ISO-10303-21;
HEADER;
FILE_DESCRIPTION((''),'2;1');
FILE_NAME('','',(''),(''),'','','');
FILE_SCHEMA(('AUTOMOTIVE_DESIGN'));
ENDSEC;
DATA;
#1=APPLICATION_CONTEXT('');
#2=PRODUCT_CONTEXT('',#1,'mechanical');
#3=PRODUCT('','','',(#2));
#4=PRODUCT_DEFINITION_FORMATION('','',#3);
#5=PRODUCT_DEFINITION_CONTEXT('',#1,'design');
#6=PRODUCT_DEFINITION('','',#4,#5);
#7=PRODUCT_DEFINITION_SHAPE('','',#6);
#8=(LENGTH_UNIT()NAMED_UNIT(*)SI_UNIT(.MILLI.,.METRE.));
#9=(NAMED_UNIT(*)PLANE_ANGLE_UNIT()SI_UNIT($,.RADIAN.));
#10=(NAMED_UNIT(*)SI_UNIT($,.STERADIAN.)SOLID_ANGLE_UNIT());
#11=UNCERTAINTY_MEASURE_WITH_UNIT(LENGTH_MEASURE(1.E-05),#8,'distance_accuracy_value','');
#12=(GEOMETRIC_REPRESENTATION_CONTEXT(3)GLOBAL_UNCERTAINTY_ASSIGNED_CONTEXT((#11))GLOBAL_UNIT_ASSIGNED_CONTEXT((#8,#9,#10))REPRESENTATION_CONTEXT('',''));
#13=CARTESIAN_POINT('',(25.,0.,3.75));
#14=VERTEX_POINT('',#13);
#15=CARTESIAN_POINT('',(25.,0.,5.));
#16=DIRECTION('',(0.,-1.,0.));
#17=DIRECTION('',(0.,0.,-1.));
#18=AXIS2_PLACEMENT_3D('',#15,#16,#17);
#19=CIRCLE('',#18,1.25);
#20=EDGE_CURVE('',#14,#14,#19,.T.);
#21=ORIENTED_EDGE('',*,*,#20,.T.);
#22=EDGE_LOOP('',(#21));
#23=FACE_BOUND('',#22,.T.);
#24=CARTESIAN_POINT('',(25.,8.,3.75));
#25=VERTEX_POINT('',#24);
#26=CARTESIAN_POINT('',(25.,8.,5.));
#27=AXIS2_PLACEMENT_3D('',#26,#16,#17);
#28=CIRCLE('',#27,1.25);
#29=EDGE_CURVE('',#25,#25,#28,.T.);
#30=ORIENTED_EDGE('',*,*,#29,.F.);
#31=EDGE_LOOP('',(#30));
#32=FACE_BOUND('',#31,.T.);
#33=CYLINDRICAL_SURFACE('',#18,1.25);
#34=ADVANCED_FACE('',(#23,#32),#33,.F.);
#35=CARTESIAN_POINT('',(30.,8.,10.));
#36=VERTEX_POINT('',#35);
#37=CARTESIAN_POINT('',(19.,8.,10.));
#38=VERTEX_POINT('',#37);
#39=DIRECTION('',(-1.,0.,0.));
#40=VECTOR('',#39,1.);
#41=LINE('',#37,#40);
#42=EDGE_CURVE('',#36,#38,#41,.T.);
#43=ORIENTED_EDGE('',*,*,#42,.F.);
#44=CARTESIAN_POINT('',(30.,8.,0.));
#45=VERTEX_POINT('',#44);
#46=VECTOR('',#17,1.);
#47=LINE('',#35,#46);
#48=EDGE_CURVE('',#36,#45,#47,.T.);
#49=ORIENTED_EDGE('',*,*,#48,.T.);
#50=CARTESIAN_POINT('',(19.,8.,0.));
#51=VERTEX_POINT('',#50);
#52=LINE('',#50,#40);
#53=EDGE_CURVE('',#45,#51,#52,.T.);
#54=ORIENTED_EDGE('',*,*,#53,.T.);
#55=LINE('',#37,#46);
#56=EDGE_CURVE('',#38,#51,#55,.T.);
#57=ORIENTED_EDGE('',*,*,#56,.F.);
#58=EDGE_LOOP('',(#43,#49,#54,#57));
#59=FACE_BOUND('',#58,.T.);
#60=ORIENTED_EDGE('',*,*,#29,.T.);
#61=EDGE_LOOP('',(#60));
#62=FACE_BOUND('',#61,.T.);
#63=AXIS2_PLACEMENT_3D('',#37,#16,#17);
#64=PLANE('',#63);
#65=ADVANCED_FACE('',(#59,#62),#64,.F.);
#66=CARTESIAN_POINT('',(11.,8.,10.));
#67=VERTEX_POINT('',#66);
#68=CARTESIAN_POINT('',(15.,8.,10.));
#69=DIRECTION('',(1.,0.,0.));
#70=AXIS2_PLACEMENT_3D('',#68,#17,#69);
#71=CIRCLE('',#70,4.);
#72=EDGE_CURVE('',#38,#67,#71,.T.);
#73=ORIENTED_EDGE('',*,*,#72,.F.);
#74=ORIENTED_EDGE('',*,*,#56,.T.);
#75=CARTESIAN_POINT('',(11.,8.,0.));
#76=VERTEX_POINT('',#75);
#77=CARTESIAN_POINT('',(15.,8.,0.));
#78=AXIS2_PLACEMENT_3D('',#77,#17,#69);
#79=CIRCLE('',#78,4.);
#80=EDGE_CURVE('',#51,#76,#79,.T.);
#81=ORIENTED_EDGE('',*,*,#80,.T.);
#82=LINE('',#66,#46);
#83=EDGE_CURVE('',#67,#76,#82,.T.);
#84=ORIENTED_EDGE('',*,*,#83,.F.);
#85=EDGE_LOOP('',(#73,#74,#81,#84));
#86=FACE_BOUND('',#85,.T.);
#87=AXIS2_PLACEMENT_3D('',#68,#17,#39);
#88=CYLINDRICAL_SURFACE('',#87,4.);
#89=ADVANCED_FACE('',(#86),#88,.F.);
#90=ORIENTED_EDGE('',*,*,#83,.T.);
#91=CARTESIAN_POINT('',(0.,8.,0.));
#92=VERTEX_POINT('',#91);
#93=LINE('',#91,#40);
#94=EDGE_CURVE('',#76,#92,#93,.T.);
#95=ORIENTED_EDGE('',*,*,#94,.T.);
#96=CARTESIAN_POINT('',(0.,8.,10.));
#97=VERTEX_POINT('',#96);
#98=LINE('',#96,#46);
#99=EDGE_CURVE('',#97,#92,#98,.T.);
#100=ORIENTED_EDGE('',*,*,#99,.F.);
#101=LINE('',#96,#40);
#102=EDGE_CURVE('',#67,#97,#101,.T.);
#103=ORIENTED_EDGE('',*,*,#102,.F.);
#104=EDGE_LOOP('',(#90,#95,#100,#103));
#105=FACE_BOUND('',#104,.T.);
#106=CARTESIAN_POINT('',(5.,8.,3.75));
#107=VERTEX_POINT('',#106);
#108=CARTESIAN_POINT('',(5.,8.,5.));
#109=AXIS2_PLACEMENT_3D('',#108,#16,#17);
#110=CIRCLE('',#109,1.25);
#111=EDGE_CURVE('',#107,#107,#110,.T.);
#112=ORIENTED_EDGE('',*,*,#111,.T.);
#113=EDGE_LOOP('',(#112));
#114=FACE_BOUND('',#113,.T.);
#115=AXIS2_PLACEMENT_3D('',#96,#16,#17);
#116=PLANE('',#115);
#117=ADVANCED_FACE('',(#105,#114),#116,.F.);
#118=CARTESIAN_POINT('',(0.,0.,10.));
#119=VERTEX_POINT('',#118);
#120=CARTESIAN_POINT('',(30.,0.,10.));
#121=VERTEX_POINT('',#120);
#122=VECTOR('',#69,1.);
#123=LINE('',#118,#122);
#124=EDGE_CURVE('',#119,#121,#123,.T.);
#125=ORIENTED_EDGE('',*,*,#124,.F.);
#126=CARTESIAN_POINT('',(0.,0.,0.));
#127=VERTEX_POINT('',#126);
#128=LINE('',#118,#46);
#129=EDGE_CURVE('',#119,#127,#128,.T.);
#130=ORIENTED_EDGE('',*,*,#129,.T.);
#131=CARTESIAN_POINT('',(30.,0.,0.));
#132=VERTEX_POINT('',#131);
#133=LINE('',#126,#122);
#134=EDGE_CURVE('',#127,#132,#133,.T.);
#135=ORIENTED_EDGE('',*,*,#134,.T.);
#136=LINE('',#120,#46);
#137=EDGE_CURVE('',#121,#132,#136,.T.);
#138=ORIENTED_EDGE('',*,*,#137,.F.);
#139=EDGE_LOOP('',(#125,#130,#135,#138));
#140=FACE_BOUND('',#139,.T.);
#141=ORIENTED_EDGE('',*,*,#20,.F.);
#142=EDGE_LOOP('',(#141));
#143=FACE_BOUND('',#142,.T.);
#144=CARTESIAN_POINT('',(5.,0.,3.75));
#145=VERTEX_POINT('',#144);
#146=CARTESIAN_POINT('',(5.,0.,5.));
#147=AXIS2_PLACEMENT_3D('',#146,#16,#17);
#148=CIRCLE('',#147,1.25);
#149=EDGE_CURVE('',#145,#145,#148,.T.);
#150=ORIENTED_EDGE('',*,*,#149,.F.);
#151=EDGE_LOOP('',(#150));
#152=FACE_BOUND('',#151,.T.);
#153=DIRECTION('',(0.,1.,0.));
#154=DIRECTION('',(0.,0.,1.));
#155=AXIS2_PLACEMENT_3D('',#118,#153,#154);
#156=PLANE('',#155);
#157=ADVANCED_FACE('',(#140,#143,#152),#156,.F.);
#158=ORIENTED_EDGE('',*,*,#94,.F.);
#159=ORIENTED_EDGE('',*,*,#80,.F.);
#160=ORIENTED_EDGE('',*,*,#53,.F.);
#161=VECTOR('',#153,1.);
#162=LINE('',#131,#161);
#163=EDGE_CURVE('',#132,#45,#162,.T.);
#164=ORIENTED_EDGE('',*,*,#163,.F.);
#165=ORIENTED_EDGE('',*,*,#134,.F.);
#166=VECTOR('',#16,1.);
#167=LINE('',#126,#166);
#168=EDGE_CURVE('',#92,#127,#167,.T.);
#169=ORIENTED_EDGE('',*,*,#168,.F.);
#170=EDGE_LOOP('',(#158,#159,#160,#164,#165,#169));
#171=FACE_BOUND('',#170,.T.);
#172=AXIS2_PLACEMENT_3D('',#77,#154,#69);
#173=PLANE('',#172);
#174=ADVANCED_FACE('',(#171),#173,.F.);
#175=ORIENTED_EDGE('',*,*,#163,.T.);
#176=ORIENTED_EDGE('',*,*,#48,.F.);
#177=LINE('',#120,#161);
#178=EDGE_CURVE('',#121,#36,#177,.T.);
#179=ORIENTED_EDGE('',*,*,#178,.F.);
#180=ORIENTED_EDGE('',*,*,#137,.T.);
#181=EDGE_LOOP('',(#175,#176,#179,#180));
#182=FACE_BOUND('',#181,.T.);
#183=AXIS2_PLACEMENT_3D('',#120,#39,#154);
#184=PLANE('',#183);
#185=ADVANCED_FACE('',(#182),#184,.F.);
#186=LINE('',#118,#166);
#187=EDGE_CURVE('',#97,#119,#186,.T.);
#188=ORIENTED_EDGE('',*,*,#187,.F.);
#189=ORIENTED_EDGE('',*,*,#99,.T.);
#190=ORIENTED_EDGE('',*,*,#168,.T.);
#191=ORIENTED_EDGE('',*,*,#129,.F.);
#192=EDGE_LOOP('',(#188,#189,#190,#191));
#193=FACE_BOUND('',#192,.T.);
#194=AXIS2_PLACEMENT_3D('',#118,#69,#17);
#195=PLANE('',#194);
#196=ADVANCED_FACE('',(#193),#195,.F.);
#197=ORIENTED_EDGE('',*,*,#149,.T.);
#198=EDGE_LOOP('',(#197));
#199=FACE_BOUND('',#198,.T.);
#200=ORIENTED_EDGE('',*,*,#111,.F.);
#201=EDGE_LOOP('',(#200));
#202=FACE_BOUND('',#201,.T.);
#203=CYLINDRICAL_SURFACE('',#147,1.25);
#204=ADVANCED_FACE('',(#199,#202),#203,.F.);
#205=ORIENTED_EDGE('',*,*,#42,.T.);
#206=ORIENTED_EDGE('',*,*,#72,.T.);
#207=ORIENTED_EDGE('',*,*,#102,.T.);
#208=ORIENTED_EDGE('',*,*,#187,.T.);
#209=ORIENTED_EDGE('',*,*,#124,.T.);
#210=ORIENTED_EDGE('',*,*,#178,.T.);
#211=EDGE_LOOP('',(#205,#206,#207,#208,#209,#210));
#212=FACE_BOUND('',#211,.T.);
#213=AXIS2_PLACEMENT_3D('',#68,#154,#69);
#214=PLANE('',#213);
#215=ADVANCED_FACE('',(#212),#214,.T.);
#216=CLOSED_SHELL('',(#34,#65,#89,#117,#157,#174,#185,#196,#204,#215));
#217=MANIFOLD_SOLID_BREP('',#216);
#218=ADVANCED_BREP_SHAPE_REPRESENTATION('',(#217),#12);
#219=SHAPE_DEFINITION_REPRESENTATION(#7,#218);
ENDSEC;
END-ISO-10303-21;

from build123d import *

# Parameters (mm, degrees)
AUFSATZ_LINEAR_AUSTRAGEN1_DEPTH = 10
M3_GEWINDEBOHRUNG1_D            = 2.5


with BuildPart() as part:
    # Skizze1 → Aufsatz-Linear austragen1 (new body)
    with BuildSketch(Plane.XY):
        with BuildLine():
            Line((19, 8), (30, 8))
            Line((30, 8), (30, 0))
            Line((30, 0), (0, 0))
            Line((0, 0), (0, 8))
            Line((0, 8), (11, 8))
            ThreePointArc((11, 8), (15, 4), (19, 8))
        make_face()
    extrude(amount=AUFSATZ_LINEAR_AUSTRAGEN1_DEPTH)

    # M3 Gewindebohrung1 (through all)
    with Locations(Plane(origin=(0, 0, 0), x_dir=(-1, 0, 0), z_dir=(0, -1, 0))):
        with Locations((-5, -5), (-25, -5)):
            Hole(M3_GEWINDEBOHRUNG1_D / 2)


solid = part.part
